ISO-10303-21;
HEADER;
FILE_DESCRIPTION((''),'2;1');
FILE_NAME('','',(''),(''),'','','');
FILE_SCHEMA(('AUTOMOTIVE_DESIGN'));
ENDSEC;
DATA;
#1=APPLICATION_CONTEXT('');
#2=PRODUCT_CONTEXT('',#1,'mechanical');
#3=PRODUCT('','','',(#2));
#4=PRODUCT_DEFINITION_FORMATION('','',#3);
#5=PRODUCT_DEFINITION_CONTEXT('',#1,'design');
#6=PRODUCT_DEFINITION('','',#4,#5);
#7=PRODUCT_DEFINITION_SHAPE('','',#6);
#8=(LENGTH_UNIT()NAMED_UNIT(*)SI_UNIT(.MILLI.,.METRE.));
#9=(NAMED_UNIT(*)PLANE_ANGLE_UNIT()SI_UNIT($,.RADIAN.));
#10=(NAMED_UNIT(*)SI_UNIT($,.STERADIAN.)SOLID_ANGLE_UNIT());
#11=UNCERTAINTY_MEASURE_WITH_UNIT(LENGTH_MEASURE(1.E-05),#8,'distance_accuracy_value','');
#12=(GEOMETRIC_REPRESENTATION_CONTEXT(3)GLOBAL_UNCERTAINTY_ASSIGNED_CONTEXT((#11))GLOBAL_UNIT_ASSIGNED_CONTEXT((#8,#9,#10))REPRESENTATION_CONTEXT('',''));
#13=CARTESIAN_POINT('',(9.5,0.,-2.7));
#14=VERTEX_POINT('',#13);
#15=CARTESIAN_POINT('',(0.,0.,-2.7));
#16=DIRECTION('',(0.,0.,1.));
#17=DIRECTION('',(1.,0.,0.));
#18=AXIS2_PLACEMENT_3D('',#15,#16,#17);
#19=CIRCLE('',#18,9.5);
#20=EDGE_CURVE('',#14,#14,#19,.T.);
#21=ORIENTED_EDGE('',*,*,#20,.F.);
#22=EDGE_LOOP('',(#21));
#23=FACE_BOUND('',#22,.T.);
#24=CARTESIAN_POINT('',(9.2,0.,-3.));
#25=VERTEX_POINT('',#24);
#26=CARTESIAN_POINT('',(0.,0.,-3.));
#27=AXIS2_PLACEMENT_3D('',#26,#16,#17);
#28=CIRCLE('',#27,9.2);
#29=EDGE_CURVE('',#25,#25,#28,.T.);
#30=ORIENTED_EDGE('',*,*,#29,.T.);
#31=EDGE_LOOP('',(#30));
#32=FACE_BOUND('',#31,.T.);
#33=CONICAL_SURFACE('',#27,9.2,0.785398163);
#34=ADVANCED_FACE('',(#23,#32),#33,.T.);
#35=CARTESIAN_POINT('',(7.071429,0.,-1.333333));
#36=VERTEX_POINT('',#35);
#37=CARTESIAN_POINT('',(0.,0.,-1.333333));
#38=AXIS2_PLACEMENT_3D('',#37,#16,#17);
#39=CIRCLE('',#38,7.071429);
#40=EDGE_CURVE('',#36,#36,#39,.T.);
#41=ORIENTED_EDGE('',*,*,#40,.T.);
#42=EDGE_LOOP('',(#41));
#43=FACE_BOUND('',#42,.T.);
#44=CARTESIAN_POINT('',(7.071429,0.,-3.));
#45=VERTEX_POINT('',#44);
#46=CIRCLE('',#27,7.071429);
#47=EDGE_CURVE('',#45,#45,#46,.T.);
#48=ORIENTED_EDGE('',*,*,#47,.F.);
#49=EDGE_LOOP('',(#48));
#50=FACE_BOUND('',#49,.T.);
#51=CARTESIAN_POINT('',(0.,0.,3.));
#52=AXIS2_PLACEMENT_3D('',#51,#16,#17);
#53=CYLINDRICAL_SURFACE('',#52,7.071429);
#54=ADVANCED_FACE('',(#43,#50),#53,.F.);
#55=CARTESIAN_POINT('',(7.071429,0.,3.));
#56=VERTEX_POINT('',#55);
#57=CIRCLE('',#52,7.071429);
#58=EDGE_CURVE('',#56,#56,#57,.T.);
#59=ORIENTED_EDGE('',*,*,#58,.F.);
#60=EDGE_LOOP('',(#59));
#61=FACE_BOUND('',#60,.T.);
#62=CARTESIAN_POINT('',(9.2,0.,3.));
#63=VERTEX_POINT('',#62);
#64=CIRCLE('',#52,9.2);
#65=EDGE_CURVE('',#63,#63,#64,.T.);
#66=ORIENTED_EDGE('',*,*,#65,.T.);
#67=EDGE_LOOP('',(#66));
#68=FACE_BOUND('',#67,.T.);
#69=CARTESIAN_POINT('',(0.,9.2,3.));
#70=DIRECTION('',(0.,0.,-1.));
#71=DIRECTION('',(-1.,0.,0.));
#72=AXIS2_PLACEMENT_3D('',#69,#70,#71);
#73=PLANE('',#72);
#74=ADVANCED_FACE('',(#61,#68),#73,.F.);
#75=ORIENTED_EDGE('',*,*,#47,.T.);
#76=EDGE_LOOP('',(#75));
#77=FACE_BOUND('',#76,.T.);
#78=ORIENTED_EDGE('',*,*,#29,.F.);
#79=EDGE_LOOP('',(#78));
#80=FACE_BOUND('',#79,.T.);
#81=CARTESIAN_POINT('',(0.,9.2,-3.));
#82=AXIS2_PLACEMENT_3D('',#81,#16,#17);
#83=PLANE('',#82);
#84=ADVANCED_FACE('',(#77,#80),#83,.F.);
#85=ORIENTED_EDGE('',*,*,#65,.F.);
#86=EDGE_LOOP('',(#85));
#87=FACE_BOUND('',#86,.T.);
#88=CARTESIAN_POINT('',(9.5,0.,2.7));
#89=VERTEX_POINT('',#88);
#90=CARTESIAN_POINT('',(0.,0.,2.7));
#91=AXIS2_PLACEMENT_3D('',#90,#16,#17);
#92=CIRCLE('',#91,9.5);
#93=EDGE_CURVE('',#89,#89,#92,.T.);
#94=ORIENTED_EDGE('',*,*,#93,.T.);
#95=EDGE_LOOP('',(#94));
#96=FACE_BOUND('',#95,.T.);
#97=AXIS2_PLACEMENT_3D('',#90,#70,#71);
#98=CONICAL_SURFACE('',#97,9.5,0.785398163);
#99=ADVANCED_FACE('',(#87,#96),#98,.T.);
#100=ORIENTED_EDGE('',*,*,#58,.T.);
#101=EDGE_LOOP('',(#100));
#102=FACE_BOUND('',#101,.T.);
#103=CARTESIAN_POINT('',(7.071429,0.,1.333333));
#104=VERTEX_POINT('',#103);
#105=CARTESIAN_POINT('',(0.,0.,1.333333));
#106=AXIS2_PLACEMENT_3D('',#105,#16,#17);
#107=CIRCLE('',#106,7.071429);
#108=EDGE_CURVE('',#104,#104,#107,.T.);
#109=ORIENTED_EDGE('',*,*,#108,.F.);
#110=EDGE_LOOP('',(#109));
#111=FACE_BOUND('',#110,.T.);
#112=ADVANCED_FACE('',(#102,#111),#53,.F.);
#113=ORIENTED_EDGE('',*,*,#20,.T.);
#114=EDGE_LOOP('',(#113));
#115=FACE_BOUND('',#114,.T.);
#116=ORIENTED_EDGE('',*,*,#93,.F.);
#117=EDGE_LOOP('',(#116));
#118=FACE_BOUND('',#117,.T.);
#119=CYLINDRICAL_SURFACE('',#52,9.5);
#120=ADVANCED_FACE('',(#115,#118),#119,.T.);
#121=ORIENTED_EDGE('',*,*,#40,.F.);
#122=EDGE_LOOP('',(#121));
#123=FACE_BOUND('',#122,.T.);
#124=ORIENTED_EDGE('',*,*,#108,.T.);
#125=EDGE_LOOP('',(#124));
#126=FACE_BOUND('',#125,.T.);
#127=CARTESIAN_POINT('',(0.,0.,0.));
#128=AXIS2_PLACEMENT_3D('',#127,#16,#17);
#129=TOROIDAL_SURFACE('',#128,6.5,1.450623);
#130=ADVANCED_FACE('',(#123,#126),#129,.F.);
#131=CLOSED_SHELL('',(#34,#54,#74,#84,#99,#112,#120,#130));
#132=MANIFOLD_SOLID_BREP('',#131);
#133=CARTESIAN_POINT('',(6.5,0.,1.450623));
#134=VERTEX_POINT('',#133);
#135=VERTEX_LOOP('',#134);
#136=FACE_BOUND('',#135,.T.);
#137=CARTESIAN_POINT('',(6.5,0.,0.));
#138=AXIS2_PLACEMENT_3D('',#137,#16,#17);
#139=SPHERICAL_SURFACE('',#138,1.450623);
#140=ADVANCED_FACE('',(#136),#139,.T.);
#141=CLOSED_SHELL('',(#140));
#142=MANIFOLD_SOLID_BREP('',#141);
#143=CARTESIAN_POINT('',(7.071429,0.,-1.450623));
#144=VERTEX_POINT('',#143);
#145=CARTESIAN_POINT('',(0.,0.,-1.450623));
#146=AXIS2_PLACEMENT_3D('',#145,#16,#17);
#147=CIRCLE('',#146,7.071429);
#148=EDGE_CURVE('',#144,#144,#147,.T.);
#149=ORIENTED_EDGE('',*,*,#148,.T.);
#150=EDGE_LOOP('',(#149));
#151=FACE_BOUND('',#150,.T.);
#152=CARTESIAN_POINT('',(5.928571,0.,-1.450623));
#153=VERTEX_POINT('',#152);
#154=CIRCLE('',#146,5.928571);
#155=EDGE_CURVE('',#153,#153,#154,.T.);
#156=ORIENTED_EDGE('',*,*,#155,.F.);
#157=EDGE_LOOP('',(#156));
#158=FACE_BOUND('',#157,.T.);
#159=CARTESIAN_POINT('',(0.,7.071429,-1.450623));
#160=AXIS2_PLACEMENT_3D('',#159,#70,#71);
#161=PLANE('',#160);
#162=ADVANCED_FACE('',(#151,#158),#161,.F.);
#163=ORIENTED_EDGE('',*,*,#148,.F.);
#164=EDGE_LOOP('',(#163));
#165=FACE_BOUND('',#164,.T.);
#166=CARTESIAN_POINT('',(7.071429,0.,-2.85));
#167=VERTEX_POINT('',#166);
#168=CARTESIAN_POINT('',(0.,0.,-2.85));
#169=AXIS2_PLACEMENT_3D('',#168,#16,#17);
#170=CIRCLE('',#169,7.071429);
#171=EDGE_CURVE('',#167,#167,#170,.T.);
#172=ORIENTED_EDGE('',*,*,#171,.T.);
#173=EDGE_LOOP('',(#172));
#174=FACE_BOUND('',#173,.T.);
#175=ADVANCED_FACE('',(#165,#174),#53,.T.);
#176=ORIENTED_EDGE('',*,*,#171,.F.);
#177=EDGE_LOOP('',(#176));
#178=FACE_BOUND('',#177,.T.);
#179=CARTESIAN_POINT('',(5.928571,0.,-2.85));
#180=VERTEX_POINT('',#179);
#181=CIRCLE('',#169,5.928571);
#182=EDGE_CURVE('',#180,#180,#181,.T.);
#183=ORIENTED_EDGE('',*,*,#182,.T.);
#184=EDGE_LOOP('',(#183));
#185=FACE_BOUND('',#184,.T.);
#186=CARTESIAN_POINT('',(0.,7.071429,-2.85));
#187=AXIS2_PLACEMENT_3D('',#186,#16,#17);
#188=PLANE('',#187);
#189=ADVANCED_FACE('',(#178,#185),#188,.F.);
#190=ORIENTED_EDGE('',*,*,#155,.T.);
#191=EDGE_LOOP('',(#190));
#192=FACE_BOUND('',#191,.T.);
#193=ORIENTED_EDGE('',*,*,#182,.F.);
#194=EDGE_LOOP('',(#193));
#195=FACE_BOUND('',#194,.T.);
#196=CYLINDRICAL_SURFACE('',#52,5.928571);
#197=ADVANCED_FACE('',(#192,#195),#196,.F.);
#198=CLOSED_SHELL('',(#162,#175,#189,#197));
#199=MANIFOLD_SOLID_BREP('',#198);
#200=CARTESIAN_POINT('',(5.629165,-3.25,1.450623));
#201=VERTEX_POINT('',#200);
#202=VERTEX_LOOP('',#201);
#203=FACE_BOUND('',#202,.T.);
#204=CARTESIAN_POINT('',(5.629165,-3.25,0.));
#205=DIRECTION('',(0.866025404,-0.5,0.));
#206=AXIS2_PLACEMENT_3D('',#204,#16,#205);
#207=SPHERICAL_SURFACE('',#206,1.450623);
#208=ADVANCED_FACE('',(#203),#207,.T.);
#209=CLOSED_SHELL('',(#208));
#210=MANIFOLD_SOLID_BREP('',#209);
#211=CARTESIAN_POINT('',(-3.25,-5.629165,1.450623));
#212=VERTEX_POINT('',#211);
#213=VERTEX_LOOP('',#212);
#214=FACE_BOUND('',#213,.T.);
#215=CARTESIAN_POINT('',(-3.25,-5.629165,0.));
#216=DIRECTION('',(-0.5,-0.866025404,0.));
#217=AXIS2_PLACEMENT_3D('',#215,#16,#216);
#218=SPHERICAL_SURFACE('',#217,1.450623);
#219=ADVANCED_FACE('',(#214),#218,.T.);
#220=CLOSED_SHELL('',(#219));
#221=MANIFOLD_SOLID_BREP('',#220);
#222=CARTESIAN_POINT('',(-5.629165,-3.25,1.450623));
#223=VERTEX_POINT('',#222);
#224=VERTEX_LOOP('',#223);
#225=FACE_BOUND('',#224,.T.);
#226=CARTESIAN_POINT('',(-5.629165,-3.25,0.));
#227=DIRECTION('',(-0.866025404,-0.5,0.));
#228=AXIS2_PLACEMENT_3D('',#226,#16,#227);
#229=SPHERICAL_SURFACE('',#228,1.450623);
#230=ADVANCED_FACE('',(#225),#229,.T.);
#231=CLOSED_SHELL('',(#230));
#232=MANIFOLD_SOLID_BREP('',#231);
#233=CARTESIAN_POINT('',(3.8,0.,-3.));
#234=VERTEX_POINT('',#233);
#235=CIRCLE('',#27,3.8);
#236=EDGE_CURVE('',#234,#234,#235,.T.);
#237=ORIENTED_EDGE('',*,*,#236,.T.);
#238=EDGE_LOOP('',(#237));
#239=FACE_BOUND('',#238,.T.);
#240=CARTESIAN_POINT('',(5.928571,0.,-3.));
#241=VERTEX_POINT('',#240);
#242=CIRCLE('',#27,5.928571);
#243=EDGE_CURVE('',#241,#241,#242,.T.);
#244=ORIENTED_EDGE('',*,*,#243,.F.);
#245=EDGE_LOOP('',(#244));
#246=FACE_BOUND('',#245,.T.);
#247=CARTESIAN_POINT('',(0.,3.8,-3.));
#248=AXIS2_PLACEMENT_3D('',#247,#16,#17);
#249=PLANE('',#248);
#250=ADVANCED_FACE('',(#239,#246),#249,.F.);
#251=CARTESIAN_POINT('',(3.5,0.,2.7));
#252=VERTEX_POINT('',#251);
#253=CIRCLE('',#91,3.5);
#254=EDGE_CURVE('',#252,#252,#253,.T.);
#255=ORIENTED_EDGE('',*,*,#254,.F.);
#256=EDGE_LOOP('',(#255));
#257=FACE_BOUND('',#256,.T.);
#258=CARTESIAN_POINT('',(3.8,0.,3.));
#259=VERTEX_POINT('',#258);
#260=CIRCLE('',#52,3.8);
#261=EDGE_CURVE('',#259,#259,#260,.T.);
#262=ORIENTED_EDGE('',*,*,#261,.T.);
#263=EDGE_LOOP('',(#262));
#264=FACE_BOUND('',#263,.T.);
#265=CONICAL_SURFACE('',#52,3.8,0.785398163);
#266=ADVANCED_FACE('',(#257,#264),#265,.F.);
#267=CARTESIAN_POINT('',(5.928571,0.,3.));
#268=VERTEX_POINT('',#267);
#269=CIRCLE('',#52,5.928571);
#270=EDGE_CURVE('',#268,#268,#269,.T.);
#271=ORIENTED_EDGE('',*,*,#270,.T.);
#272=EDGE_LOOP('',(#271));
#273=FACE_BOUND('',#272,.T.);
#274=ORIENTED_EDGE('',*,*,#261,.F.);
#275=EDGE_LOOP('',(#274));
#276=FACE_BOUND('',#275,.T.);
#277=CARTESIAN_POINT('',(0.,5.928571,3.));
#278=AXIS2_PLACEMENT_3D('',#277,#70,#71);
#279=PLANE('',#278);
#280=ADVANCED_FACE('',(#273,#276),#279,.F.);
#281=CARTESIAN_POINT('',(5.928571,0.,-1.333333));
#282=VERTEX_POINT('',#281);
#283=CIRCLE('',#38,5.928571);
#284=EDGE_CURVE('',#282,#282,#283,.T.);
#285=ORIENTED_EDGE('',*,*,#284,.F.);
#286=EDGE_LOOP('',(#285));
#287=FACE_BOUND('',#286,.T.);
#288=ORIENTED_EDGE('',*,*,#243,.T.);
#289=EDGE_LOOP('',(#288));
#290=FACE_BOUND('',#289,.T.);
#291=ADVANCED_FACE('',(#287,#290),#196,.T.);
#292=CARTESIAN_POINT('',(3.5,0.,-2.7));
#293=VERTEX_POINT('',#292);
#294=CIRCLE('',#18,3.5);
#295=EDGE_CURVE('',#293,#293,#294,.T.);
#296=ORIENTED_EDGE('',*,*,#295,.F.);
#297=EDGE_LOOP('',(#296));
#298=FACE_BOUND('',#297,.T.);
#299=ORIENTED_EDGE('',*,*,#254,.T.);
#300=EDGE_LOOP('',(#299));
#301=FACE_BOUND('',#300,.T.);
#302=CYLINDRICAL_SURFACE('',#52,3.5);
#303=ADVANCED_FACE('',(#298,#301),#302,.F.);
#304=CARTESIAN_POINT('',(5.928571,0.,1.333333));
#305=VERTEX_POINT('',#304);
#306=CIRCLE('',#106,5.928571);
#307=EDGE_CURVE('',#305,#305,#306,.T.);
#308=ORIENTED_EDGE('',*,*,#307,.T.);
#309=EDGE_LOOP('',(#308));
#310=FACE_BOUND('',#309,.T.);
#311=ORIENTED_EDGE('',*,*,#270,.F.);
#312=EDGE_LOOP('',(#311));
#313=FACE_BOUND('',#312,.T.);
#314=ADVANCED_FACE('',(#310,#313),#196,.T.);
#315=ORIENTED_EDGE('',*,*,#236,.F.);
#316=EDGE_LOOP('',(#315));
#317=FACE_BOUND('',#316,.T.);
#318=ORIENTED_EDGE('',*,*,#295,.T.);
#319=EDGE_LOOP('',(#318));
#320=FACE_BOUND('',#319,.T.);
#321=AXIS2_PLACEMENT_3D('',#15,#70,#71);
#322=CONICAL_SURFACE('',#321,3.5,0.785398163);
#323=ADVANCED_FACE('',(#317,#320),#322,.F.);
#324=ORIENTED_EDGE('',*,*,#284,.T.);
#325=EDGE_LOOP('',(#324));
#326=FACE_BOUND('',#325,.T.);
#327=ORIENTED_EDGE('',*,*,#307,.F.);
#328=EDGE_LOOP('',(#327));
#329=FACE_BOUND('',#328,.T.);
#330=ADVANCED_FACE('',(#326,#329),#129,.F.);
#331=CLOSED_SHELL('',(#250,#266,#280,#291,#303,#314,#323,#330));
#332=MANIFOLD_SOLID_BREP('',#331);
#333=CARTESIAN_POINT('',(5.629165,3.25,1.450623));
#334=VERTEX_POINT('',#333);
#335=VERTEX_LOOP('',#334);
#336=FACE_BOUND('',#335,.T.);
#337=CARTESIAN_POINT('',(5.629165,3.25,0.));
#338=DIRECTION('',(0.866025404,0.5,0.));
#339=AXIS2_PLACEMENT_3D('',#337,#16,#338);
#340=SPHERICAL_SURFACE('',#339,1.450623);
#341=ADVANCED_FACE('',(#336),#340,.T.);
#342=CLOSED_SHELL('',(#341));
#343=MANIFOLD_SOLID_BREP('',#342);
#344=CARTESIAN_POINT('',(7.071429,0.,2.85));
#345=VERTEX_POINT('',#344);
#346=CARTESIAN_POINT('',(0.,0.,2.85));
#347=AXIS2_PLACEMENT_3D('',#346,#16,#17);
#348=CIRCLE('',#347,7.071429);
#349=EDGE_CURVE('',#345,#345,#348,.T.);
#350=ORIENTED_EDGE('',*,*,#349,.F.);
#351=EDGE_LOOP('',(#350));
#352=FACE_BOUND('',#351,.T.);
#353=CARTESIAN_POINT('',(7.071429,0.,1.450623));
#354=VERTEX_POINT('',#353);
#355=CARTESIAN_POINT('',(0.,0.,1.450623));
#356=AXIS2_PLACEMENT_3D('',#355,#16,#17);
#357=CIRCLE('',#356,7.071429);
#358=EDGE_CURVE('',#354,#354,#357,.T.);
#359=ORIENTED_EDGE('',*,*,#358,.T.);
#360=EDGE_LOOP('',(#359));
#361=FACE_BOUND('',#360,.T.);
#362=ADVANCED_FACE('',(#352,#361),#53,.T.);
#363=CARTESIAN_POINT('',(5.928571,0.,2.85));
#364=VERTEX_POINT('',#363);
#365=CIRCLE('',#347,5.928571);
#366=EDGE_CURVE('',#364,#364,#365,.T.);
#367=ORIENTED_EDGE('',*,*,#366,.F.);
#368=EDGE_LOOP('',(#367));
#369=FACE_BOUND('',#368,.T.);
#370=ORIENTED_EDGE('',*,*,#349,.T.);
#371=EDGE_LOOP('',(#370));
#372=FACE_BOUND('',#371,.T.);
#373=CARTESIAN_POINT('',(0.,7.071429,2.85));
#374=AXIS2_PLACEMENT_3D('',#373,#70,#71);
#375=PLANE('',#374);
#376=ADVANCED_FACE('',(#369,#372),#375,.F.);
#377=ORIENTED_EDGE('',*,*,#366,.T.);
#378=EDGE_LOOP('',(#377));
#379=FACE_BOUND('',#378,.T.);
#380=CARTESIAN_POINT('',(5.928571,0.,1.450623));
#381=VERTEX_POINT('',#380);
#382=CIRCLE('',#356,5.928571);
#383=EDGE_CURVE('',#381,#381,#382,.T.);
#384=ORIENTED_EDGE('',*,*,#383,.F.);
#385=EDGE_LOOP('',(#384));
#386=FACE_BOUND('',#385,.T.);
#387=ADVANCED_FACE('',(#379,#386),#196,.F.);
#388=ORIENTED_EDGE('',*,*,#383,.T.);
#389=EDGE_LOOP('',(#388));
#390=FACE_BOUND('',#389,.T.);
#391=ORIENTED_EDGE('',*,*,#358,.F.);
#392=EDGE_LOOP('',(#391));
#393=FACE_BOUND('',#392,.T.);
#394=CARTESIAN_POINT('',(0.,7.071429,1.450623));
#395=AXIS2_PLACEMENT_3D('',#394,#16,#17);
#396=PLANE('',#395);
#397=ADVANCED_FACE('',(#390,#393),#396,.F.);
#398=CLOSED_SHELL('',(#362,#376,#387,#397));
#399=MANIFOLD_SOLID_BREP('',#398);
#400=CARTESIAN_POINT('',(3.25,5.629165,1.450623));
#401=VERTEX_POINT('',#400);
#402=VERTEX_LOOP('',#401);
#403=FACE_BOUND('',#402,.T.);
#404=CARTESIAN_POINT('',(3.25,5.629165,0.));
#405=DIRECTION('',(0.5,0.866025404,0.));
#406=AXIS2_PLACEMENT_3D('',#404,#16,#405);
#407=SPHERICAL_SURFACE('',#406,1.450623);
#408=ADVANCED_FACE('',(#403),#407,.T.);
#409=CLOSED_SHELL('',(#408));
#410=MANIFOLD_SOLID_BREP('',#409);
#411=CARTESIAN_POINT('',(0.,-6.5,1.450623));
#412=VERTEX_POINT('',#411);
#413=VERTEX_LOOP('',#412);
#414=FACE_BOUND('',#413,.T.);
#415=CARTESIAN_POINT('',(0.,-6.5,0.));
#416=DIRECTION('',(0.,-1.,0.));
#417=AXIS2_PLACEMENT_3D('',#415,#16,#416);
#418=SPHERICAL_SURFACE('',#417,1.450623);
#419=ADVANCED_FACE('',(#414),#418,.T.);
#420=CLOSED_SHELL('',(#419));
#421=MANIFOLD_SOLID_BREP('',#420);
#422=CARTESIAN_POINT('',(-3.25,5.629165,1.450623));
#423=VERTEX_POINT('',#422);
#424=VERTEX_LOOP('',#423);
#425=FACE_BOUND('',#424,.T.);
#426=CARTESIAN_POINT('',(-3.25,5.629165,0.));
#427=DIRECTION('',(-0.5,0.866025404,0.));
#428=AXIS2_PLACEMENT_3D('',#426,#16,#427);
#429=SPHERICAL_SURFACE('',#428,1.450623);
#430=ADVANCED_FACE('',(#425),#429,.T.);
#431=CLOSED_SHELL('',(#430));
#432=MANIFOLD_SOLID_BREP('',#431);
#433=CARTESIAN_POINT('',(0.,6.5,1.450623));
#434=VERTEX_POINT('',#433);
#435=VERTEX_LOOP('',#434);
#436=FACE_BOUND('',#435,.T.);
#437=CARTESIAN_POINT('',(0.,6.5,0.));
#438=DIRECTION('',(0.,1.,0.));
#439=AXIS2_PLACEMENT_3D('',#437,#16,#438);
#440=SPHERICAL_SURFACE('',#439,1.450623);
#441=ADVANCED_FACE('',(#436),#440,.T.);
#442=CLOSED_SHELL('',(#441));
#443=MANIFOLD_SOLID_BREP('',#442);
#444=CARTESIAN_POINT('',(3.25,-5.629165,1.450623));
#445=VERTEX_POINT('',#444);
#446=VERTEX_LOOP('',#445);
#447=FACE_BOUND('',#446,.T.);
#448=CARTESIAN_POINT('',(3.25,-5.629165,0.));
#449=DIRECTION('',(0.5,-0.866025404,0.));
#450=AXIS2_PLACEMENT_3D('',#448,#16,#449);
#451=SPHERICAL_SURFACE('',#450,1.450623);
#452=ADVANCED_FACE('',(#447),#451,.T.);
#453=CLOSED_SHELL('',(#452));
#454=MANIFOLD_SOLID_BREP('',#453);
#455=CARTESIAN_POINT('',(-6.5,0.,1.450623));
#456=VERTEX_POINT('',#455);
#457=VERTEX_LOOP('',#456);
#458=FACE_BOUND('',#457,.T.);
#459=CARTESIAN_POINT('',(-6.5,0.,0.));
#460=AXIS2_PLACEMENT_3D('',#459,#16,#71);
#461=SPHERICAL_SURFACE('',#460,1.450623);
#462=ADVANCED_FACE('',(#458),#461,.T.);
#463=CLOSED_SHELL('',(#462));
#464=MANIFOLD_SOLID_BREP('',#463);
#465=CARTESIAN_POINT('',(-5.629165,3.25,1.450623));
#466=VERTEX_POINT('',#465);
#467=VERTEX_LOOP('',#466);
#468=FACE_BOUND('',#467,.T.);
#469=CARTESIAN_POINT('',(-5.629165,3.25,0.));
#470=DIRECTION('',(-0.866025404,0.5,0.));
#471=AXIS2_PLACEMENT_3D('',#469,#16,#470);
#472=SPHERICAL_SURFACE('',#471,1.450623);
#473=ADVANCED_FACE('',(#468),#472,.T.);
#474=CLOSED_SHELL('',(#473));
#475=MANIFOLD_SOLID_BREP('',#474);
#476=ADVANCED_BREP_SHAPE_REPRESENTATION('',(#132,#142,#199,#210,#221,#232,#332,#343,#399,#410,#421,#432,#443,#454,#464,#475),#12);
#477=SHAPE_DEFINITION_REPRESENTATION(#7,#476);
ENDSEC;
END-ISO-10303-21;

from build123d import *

# Parameters (mm, degrees)
CIRPATTERN1_COUNT = 12
SKETCH5_W         = 1.399376551
SKETCH5_H         = 1.142857142


with BuildPart() as part:
    # Sketch1 → Revolve1 (revolve)
    with BuildSketch(Plane(origin=(0, 0, 0), x_dir=(0, 0, -1), z_dir=(1, 0, 0))):
        with BuildLine():
            Line((2.7, 9.5), (-2.7, 9.5))
            Line((-2.7, 9.5), (-3, 9.2))
            Line((-3, 9.2), (-3, 7.071428571))
            Line((-3, 7.071428571), (-1.333333333, 7.071428571))
            ThreePointArc((-1.333333333, 7.071428571), (0, 7.950623449), (1.333333333, 7.071428571))
            Line((1.333333333, 7.071428571), (3, 7.071428571))
            Line((3, 7.071428571), (3, 9.2))
            Line((3, 9.2), (2.7, 9.5))
        make_face()
    revolve(axis=Axis((0, 0, 3), (0, 0, -1)))


with BuildPart() as body_2:
    # Sketch3 → Revolve3 (revolve)
    with BuildSketch(Plane(origin=(0, 0, 0), x_dir=(0, 0, -1), z_dir=(1, 0, 0))):
        with BuildLine():
            Line((-3, 5.928571429), (-1.333333333, 5.928571429))
            ThreePointArc((-1.333333333, 5.928571429), (0, 5.049376551), (1.333333333, 5.928571429))
            Line((1.333333333, 5.928571429), (3, 5.928571429))
            Line((3, 5.928571429), (3, 3.8))
            Line((3, 3.8), (2.7, 3.5))
            Line((2.7, 3.5), (-2.7, 3.5))
            Line((-2.7, 3.5), (-3, 3.8))
            Line((-3, 3.8), (-3, 5.928571429))
        make_face()
    revolve(axis=Axis((0, 0, 3), (0, 0, -1)))


with BuildPart() as body_3:
    # Sketch4 → Revolve4 (revolve)
    with BuildSketch(Plane(origin=(0, 0, 0), x_dir=(0, 0, -1), z_dir=(1, 0, 0))):
        with BuildLine():
            Line((-1.450623449, 6.5), (1.450623449, 6.5))
            ThreePointArc((1.450623449, 6.5), (0, 7.950623449), (-1.450623449, 6.5))
        make_face()
    revolve(axis=Axis((0, 6.5, 1.450623449), (0, 0, -1)))


with BuildPart() as cirpattern1_1:
    # CirPattern1: pattern copy
    add(body_3.part.rotate(Axis((0, 0, -3), (0, 0, 1)), 1 * 360 / CIRPATTERN1_COUNT))


with BuildPart() as cirpattern1_2:
    # CirPattern1: pattern copy
    add(body_3.part.rotate(Axis((0, 0, -3), (0, 0, 1)), 2 * 360 / CIRPATTERN1_COUNT))


with BuildPart() as cirpattern1_3:
    # CirPattern1: pattern copy
    add(body_3.part.rotate(Axis((0, 0, -3), (0, 0, 1)), 3 * 360 / CIRPATTERN1_COUNT))


with BuildPart() as cirpattern1_4:
    # CirPattern1: pattern copy
    add(body_3.part.rotate(Axis((0, 0, -3), (0, 0, 1)), 4 * 360 / CIRPATTERN1_COUNT))


with BuildPart() as cirpattern1_5:
    # CirPattern1: pattern copy
    add(body_3.part.rotate(Axis((0, 0, -3), (0, 0, 1)), 5 * 360 / CIRPATTERN1_COUNT))


with BuildPart() as cirpattern1_6:
    # CirPattern1: pattern copy
    add(body_3.part.rotate(Axis((0, 0, -3), (0, 0, 1)), 6 * 360 / CIRPATTERN1_COUNT))


with BuildPart() as cirpattern1_7:
    # CirPattern1: pattern copy
    add(body_3.part.rotate(Axis((0, 0, -3), (0, 0, 1)), 7 * 360 / CIRPATTERN1_COUNT))


with BuildPart() as cirpattern1_8:
    # CirPattern1: pattern copy
    add(body_3.part.rotate(Axis((0, 0, -3), (0, 0, 1)), 8 * 360 / CIRPATTERN1_COUNT))


with BuildPart() as cirpattern1_9:
    # CirPattern1: pattern copy
    add(body_3.part.rotate(Axis((0, 0, -3), (0, 0, 1)), 9 * 360 / CIRPATTERN1_COUNT))


with BuildPart() as cirpattern1_10:
    # CirPattern1: pattern copy
    add(body_3.part.rotate(Axis((0, 0, -3), (0, 0, 1)), 10 * 360 / CIRPATTERN1_COUNT))


with BuildPart() as cirpattern1_11:
    # CirPattern1: pattern copy
    add(body_3.part.rotate(Axis((0, 0, -3), (0, 0, 1)), 11 * 360 / CIRPATTERN1_COUNT))


with BuildPart() as body_15:
    # Sketch5 → Revolve5 (revolve)
    with BuildSketch(Plane(origin=(0, 0, 0), x_dir=(0, 0, -1), z_dir=(1, 0, 0))):
        with Locations((-2.150311724, 6.5)):
            Rectangle(SKETCH5_W, SKETCH5_H)
        with Locations((2.150311724, 6.5)):
            Rectangle(SKETCH5_W, SKETCH5_H)
    revolve(axis=Axis((0, 0, 3), (0, 0, -1)))


solid = Compound([part.part, body_2.part, body_3.part, cirpattern1_1.part, cirpattern1_2.part, cirpattern1_3.part, cirpattern1_4.part, cirpattern1_5.part, cirpattern1_6.part, cirpattern1_7.part, cirpattern1_8.part, cirpattern1_9.part, cirpattern1_10.part, cirpattern1_11.part, body_15.part])
